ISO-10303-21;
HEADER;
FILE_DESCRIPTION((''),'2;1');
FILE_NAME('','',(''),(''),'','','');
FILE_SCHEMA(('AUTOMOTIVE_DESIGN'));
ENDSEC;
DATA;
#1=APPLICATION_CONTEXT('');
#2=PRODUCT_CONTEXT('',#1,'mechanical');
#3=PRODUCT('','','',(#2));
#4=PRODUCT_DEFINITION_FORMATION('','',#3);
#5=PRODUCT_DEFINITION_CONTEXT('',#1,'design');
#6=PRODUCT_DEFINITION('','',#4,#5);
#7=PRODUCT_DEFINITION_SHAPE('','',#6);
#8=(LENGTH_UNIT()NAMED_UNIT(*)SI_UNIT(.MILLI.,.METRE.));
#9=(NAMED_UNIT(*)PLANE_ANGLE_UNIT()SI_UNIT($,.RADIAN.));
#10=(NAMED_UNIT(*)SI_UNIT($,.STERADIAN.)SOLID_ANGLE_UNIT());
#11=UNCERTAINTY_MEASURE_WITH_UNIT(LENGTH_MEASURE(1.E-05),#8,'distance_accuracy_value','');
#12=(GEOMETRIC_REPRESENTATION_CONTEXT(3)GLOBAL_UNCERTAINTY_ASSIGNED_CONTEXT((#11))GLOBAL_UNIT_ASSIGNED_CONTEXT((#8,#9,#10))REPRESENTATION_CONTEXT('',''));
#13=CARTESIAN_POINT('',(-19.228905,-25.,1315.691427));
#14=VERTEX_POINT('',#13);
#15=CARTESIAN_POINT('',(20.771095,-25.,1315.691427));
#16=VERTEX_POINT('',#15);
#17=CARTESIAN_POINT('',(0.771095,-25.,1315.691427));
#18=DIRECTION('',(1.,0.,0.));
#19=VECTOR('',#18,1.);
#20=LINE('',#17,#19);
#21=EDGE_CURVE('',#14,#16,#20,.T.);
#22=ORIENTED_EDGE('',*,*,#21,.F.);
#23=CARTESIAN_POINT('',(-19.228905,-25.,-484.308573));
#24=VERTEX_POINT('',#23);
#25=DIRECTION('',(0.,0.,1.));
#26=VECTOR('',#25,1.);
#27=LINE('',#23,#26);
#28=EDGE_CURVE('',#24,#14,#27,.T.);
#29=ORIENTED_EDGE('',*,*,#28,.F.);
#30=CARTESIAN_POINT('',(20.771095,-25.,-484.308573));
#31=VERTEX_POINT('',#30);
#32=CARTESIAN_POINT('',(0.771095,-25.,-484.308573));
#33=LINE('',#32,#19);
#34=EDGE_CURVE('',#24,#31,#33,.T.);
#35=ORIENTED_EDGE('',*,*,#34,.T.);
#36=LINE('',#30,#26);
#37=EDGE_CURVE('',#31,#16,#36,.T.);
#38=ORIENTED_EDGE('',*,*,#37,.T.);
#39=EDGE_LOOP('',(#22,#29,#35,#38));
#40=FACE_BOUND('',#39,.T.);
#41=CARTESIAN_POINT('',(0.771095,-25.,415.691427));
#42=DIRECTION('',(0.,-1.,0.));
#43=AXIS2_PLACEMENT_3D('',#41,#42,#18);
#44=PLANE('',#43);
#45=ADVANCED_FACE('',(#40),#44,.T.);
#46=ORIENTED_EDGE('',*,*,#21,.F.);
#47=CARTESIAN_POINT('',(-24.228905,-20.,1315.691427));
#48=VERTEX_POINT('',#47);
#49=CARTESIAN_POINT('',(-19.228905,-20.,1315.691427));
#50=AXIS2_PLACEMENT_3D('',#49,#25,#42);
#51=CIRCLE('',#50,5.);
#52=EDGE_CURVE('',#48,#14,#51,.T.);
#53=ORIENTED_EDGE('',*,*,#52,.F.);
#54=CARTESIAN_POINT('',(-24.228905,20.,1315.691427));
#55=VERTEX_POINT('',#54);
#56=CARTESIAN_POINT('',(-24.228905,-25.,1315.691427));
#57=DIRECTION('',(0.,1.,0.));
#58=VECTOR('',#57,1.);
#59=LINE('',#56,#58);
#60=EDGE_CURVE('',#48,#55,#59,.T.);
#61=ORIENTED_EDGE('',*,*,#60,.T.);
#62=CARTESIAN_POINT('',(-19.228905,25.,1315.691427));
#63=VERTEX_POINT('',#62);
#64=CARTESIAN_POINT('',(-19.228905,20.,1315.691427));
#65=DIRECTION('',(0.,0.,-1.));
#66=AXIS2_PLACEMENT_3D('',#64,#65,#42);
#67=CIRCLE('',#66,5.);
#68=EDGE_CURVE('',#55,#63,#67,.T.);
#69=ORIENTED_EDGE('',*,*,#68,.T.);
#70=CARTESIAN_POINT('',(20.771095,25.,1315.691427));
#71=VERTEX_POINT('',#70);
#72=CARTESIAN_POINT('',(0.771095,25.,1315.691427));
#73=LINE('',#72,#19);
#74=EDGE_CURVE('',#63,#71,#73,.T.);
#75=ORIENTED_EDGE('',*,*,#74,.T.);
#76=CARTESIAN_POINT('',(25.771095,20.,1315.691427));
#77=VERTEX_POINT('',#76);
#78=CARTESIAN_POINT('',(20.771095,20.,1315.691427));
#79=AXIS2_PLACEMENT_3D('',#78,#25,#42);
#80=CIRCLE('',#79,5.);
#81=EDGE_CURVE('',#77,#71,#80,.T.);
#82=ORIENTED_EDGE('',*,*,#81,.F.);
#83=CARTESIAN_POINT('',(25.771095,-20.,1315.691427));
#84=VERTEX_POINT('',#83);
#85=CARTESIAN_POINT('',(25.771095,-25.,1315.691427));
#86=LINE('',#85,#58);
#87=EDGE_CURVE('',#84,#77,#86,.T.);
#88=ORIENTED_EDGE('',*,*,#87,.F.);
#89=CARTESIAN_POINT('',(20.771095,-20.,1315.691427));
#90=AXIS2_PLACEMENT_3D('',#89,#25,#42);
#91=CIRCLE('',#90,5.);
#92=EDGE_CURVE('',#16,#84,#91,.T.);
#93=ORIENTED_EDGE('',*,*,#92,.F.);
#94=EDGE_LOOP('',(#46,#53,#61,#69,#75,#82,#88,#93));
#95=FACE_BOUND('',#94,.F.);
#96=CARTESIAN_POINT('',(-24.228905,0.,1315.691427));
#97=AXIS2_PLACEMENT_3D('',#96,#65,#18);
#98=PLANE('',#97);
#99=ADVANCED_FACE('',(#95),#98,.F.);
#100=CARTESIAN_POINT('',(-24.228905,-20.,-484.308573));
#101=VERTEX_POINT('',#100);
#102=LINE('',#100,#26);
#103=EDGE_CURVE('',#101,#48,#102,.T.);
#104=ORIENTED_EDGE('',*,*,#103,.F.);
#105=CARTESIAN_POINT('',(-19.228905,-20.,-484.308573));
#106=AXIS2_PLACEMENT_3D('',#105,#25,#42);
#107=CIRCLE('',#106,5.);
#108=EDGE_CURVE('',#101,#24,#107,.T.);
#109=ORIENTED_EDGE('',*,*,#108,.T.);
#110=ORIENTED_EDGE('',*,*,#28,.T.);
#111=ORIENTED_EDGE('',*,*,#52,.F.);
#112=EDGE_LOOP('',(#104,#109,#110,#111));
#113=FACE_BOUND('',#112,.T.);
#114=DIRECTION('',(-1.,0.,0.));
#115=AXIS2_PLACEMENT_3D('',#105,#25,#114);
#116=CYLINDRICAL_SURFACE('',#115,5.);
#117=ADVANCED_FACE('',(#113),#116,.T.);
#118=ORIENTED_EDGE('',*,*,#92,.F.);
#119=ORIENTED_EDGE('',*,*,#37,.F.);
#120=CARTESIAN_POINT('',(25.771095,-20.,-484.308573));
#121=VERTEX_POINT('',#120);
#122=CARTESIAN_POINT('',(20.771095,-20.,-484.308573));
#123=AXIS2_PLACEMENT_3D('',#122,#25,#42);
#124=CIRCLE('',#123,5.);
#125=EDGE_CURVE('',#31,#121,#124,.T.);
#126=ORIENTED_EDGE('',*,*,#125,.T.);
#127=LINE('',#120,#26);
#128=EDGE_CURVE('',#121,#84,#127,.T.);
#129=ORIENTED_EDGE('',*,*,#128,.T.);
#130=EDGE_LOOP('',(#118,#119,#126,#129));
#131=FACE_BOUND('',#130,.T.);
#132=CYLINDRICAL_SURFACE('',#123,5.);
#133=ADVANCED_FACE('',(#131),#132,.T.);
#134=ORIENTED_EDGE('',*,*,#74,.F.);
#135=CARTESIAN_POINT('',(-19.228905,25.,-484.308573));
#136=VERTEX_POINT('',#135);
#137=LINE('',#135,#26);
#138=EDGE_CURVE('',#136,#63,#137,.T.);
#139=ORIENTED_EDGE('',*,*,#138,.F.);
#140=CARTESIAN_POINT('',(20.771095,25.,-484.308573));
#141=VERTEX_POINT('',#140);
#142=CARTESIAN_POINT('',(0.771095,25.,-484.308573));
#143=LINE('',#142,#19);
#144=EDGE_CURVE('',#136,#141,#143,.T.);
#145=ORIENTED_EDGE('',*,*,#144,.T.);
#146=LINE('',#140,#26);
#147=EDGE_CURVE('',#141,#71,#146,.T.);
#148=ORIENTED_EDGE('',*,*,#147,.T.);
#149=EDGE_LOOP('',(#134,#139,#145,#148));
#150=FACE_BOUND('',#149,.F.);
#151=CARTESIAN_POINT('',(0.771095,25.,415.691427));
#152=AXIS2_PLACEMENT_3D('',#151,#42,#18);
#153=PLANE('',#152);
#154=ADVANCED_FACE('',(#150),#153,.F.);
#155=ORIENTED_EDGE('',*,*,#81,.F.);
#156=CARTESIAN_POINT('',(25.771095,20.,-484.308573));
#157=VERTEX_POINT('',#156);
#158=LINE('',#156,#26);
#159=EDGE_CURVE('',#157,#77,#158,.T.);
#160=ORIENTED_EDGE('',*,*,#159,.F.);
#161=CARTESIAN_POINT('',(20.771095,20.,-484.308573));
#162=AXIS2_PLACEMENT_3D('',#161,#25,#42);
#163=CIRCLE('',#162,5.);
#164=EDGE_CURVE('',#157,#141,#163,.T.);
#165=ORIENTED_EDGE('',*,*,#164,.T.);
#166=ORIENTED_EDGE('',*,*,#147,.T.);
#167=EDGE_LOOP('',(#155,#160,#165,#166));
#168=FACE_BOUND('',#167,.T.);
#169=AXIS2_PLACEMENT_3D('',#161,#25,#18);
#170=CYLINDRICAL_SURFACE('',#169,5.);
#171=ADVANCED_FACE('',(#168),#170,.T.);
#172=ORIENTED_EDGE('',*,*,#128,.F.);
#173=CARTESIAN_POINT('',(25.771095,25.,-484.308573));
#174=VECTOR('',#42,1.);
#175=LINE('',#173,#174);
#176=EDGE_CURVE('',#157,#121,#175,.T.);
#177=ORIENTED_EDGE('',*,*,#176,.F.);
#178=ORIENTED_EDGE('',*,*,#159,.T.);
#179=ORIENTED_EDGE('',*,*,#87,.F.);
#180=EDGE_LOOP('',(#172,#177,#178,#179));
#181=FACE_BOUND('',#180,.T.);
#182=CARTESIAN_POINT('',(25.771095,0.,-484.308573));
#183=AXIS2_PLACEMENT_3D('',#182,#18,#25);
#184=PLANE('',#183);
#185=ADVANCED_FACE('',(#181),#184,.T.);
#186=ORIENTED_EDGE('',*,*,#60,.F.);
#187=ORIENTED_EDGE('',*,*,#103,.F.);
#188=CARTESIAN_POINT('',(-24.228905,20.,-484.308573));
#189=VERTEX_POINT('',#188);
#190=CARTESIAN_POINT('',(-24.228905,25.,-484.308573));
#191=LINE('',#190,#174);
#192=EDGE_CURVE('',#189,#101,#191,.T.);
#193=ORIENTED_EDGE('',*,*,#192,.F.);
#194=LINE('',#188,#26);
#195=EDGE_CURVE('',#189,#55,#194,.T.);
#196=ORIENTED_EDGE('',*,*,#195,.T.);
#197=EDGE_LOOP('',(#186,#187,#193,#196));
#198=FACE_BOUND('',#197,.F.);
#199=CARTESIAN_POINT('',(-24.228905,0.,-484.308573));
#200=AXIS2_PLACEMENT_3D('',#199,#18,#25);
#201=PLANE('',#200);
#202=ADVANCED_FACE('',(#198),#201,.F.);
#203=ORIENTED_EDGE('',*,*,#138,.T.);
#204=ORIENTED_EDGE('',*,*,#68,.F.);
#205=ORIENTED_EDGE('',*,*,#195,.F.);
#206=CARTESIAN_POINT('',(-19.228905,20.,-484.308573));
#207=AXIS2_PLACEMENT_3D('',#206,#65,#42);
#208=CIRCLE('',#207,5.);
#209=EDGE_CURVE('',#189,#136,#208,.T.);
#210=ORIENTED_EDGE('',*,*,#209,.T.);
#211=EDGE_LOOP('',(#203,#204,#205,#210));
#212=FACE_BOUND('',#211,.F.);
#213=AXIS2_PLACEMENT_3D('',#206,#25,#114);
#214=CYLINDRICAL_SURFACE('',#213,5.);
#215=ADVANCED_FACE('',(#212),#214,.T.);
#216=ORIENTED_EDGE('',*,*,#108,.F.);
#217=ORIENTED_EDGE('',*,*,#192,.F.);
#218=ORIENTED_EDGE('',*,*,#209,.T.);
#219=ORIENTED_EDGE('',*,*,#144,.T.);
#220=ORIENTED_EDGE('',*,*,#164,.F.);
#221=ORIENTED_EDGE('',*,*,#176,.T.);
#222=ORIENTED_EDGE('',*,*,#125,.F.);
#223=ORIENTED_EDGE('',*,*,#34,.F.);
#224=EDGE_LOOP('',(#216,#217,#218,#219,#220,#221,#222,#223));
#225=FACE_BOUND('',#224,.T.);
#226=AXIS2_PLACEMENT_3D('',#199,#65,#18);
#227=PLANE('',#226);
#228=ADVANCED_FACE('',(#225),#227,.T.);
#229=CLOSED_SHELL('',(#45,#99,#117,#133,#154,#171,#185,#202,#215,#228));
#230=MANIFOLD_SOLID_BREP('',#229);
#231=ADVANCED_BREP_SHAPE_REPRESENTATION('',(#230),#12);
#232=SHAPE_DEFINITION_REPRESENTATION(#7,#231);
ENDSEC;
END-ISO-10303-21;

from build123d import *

# Parameters (mm, degrees)
F0_W     = 50
F0_H     = 1800
F1_DEPTH = 25
F2_R     = 5


with BuildPart() as f1:
    # F0 (on Front) → F1 (new body, symmetric)
    with BuildSketch(Plane.XZ):
        with Locations((0.771095, 415.691427)):
            Rectangle(F0_W, F0_H)
    extrude(amount=F1_DEPTH, both=True)

    # F2
    f2_edges = [f1.edges().sort_by_distance(p)[0] for p in [
        (25.771095, -25, 415.691427),
        (-24.228905, -25, 415.691427),
        (-24.228905, 25, 415.691427),
        (25.771095, 25, 415.691427),
    ]]
    fillet(f2_edges, radius=F2_R)


solid = f1.part
